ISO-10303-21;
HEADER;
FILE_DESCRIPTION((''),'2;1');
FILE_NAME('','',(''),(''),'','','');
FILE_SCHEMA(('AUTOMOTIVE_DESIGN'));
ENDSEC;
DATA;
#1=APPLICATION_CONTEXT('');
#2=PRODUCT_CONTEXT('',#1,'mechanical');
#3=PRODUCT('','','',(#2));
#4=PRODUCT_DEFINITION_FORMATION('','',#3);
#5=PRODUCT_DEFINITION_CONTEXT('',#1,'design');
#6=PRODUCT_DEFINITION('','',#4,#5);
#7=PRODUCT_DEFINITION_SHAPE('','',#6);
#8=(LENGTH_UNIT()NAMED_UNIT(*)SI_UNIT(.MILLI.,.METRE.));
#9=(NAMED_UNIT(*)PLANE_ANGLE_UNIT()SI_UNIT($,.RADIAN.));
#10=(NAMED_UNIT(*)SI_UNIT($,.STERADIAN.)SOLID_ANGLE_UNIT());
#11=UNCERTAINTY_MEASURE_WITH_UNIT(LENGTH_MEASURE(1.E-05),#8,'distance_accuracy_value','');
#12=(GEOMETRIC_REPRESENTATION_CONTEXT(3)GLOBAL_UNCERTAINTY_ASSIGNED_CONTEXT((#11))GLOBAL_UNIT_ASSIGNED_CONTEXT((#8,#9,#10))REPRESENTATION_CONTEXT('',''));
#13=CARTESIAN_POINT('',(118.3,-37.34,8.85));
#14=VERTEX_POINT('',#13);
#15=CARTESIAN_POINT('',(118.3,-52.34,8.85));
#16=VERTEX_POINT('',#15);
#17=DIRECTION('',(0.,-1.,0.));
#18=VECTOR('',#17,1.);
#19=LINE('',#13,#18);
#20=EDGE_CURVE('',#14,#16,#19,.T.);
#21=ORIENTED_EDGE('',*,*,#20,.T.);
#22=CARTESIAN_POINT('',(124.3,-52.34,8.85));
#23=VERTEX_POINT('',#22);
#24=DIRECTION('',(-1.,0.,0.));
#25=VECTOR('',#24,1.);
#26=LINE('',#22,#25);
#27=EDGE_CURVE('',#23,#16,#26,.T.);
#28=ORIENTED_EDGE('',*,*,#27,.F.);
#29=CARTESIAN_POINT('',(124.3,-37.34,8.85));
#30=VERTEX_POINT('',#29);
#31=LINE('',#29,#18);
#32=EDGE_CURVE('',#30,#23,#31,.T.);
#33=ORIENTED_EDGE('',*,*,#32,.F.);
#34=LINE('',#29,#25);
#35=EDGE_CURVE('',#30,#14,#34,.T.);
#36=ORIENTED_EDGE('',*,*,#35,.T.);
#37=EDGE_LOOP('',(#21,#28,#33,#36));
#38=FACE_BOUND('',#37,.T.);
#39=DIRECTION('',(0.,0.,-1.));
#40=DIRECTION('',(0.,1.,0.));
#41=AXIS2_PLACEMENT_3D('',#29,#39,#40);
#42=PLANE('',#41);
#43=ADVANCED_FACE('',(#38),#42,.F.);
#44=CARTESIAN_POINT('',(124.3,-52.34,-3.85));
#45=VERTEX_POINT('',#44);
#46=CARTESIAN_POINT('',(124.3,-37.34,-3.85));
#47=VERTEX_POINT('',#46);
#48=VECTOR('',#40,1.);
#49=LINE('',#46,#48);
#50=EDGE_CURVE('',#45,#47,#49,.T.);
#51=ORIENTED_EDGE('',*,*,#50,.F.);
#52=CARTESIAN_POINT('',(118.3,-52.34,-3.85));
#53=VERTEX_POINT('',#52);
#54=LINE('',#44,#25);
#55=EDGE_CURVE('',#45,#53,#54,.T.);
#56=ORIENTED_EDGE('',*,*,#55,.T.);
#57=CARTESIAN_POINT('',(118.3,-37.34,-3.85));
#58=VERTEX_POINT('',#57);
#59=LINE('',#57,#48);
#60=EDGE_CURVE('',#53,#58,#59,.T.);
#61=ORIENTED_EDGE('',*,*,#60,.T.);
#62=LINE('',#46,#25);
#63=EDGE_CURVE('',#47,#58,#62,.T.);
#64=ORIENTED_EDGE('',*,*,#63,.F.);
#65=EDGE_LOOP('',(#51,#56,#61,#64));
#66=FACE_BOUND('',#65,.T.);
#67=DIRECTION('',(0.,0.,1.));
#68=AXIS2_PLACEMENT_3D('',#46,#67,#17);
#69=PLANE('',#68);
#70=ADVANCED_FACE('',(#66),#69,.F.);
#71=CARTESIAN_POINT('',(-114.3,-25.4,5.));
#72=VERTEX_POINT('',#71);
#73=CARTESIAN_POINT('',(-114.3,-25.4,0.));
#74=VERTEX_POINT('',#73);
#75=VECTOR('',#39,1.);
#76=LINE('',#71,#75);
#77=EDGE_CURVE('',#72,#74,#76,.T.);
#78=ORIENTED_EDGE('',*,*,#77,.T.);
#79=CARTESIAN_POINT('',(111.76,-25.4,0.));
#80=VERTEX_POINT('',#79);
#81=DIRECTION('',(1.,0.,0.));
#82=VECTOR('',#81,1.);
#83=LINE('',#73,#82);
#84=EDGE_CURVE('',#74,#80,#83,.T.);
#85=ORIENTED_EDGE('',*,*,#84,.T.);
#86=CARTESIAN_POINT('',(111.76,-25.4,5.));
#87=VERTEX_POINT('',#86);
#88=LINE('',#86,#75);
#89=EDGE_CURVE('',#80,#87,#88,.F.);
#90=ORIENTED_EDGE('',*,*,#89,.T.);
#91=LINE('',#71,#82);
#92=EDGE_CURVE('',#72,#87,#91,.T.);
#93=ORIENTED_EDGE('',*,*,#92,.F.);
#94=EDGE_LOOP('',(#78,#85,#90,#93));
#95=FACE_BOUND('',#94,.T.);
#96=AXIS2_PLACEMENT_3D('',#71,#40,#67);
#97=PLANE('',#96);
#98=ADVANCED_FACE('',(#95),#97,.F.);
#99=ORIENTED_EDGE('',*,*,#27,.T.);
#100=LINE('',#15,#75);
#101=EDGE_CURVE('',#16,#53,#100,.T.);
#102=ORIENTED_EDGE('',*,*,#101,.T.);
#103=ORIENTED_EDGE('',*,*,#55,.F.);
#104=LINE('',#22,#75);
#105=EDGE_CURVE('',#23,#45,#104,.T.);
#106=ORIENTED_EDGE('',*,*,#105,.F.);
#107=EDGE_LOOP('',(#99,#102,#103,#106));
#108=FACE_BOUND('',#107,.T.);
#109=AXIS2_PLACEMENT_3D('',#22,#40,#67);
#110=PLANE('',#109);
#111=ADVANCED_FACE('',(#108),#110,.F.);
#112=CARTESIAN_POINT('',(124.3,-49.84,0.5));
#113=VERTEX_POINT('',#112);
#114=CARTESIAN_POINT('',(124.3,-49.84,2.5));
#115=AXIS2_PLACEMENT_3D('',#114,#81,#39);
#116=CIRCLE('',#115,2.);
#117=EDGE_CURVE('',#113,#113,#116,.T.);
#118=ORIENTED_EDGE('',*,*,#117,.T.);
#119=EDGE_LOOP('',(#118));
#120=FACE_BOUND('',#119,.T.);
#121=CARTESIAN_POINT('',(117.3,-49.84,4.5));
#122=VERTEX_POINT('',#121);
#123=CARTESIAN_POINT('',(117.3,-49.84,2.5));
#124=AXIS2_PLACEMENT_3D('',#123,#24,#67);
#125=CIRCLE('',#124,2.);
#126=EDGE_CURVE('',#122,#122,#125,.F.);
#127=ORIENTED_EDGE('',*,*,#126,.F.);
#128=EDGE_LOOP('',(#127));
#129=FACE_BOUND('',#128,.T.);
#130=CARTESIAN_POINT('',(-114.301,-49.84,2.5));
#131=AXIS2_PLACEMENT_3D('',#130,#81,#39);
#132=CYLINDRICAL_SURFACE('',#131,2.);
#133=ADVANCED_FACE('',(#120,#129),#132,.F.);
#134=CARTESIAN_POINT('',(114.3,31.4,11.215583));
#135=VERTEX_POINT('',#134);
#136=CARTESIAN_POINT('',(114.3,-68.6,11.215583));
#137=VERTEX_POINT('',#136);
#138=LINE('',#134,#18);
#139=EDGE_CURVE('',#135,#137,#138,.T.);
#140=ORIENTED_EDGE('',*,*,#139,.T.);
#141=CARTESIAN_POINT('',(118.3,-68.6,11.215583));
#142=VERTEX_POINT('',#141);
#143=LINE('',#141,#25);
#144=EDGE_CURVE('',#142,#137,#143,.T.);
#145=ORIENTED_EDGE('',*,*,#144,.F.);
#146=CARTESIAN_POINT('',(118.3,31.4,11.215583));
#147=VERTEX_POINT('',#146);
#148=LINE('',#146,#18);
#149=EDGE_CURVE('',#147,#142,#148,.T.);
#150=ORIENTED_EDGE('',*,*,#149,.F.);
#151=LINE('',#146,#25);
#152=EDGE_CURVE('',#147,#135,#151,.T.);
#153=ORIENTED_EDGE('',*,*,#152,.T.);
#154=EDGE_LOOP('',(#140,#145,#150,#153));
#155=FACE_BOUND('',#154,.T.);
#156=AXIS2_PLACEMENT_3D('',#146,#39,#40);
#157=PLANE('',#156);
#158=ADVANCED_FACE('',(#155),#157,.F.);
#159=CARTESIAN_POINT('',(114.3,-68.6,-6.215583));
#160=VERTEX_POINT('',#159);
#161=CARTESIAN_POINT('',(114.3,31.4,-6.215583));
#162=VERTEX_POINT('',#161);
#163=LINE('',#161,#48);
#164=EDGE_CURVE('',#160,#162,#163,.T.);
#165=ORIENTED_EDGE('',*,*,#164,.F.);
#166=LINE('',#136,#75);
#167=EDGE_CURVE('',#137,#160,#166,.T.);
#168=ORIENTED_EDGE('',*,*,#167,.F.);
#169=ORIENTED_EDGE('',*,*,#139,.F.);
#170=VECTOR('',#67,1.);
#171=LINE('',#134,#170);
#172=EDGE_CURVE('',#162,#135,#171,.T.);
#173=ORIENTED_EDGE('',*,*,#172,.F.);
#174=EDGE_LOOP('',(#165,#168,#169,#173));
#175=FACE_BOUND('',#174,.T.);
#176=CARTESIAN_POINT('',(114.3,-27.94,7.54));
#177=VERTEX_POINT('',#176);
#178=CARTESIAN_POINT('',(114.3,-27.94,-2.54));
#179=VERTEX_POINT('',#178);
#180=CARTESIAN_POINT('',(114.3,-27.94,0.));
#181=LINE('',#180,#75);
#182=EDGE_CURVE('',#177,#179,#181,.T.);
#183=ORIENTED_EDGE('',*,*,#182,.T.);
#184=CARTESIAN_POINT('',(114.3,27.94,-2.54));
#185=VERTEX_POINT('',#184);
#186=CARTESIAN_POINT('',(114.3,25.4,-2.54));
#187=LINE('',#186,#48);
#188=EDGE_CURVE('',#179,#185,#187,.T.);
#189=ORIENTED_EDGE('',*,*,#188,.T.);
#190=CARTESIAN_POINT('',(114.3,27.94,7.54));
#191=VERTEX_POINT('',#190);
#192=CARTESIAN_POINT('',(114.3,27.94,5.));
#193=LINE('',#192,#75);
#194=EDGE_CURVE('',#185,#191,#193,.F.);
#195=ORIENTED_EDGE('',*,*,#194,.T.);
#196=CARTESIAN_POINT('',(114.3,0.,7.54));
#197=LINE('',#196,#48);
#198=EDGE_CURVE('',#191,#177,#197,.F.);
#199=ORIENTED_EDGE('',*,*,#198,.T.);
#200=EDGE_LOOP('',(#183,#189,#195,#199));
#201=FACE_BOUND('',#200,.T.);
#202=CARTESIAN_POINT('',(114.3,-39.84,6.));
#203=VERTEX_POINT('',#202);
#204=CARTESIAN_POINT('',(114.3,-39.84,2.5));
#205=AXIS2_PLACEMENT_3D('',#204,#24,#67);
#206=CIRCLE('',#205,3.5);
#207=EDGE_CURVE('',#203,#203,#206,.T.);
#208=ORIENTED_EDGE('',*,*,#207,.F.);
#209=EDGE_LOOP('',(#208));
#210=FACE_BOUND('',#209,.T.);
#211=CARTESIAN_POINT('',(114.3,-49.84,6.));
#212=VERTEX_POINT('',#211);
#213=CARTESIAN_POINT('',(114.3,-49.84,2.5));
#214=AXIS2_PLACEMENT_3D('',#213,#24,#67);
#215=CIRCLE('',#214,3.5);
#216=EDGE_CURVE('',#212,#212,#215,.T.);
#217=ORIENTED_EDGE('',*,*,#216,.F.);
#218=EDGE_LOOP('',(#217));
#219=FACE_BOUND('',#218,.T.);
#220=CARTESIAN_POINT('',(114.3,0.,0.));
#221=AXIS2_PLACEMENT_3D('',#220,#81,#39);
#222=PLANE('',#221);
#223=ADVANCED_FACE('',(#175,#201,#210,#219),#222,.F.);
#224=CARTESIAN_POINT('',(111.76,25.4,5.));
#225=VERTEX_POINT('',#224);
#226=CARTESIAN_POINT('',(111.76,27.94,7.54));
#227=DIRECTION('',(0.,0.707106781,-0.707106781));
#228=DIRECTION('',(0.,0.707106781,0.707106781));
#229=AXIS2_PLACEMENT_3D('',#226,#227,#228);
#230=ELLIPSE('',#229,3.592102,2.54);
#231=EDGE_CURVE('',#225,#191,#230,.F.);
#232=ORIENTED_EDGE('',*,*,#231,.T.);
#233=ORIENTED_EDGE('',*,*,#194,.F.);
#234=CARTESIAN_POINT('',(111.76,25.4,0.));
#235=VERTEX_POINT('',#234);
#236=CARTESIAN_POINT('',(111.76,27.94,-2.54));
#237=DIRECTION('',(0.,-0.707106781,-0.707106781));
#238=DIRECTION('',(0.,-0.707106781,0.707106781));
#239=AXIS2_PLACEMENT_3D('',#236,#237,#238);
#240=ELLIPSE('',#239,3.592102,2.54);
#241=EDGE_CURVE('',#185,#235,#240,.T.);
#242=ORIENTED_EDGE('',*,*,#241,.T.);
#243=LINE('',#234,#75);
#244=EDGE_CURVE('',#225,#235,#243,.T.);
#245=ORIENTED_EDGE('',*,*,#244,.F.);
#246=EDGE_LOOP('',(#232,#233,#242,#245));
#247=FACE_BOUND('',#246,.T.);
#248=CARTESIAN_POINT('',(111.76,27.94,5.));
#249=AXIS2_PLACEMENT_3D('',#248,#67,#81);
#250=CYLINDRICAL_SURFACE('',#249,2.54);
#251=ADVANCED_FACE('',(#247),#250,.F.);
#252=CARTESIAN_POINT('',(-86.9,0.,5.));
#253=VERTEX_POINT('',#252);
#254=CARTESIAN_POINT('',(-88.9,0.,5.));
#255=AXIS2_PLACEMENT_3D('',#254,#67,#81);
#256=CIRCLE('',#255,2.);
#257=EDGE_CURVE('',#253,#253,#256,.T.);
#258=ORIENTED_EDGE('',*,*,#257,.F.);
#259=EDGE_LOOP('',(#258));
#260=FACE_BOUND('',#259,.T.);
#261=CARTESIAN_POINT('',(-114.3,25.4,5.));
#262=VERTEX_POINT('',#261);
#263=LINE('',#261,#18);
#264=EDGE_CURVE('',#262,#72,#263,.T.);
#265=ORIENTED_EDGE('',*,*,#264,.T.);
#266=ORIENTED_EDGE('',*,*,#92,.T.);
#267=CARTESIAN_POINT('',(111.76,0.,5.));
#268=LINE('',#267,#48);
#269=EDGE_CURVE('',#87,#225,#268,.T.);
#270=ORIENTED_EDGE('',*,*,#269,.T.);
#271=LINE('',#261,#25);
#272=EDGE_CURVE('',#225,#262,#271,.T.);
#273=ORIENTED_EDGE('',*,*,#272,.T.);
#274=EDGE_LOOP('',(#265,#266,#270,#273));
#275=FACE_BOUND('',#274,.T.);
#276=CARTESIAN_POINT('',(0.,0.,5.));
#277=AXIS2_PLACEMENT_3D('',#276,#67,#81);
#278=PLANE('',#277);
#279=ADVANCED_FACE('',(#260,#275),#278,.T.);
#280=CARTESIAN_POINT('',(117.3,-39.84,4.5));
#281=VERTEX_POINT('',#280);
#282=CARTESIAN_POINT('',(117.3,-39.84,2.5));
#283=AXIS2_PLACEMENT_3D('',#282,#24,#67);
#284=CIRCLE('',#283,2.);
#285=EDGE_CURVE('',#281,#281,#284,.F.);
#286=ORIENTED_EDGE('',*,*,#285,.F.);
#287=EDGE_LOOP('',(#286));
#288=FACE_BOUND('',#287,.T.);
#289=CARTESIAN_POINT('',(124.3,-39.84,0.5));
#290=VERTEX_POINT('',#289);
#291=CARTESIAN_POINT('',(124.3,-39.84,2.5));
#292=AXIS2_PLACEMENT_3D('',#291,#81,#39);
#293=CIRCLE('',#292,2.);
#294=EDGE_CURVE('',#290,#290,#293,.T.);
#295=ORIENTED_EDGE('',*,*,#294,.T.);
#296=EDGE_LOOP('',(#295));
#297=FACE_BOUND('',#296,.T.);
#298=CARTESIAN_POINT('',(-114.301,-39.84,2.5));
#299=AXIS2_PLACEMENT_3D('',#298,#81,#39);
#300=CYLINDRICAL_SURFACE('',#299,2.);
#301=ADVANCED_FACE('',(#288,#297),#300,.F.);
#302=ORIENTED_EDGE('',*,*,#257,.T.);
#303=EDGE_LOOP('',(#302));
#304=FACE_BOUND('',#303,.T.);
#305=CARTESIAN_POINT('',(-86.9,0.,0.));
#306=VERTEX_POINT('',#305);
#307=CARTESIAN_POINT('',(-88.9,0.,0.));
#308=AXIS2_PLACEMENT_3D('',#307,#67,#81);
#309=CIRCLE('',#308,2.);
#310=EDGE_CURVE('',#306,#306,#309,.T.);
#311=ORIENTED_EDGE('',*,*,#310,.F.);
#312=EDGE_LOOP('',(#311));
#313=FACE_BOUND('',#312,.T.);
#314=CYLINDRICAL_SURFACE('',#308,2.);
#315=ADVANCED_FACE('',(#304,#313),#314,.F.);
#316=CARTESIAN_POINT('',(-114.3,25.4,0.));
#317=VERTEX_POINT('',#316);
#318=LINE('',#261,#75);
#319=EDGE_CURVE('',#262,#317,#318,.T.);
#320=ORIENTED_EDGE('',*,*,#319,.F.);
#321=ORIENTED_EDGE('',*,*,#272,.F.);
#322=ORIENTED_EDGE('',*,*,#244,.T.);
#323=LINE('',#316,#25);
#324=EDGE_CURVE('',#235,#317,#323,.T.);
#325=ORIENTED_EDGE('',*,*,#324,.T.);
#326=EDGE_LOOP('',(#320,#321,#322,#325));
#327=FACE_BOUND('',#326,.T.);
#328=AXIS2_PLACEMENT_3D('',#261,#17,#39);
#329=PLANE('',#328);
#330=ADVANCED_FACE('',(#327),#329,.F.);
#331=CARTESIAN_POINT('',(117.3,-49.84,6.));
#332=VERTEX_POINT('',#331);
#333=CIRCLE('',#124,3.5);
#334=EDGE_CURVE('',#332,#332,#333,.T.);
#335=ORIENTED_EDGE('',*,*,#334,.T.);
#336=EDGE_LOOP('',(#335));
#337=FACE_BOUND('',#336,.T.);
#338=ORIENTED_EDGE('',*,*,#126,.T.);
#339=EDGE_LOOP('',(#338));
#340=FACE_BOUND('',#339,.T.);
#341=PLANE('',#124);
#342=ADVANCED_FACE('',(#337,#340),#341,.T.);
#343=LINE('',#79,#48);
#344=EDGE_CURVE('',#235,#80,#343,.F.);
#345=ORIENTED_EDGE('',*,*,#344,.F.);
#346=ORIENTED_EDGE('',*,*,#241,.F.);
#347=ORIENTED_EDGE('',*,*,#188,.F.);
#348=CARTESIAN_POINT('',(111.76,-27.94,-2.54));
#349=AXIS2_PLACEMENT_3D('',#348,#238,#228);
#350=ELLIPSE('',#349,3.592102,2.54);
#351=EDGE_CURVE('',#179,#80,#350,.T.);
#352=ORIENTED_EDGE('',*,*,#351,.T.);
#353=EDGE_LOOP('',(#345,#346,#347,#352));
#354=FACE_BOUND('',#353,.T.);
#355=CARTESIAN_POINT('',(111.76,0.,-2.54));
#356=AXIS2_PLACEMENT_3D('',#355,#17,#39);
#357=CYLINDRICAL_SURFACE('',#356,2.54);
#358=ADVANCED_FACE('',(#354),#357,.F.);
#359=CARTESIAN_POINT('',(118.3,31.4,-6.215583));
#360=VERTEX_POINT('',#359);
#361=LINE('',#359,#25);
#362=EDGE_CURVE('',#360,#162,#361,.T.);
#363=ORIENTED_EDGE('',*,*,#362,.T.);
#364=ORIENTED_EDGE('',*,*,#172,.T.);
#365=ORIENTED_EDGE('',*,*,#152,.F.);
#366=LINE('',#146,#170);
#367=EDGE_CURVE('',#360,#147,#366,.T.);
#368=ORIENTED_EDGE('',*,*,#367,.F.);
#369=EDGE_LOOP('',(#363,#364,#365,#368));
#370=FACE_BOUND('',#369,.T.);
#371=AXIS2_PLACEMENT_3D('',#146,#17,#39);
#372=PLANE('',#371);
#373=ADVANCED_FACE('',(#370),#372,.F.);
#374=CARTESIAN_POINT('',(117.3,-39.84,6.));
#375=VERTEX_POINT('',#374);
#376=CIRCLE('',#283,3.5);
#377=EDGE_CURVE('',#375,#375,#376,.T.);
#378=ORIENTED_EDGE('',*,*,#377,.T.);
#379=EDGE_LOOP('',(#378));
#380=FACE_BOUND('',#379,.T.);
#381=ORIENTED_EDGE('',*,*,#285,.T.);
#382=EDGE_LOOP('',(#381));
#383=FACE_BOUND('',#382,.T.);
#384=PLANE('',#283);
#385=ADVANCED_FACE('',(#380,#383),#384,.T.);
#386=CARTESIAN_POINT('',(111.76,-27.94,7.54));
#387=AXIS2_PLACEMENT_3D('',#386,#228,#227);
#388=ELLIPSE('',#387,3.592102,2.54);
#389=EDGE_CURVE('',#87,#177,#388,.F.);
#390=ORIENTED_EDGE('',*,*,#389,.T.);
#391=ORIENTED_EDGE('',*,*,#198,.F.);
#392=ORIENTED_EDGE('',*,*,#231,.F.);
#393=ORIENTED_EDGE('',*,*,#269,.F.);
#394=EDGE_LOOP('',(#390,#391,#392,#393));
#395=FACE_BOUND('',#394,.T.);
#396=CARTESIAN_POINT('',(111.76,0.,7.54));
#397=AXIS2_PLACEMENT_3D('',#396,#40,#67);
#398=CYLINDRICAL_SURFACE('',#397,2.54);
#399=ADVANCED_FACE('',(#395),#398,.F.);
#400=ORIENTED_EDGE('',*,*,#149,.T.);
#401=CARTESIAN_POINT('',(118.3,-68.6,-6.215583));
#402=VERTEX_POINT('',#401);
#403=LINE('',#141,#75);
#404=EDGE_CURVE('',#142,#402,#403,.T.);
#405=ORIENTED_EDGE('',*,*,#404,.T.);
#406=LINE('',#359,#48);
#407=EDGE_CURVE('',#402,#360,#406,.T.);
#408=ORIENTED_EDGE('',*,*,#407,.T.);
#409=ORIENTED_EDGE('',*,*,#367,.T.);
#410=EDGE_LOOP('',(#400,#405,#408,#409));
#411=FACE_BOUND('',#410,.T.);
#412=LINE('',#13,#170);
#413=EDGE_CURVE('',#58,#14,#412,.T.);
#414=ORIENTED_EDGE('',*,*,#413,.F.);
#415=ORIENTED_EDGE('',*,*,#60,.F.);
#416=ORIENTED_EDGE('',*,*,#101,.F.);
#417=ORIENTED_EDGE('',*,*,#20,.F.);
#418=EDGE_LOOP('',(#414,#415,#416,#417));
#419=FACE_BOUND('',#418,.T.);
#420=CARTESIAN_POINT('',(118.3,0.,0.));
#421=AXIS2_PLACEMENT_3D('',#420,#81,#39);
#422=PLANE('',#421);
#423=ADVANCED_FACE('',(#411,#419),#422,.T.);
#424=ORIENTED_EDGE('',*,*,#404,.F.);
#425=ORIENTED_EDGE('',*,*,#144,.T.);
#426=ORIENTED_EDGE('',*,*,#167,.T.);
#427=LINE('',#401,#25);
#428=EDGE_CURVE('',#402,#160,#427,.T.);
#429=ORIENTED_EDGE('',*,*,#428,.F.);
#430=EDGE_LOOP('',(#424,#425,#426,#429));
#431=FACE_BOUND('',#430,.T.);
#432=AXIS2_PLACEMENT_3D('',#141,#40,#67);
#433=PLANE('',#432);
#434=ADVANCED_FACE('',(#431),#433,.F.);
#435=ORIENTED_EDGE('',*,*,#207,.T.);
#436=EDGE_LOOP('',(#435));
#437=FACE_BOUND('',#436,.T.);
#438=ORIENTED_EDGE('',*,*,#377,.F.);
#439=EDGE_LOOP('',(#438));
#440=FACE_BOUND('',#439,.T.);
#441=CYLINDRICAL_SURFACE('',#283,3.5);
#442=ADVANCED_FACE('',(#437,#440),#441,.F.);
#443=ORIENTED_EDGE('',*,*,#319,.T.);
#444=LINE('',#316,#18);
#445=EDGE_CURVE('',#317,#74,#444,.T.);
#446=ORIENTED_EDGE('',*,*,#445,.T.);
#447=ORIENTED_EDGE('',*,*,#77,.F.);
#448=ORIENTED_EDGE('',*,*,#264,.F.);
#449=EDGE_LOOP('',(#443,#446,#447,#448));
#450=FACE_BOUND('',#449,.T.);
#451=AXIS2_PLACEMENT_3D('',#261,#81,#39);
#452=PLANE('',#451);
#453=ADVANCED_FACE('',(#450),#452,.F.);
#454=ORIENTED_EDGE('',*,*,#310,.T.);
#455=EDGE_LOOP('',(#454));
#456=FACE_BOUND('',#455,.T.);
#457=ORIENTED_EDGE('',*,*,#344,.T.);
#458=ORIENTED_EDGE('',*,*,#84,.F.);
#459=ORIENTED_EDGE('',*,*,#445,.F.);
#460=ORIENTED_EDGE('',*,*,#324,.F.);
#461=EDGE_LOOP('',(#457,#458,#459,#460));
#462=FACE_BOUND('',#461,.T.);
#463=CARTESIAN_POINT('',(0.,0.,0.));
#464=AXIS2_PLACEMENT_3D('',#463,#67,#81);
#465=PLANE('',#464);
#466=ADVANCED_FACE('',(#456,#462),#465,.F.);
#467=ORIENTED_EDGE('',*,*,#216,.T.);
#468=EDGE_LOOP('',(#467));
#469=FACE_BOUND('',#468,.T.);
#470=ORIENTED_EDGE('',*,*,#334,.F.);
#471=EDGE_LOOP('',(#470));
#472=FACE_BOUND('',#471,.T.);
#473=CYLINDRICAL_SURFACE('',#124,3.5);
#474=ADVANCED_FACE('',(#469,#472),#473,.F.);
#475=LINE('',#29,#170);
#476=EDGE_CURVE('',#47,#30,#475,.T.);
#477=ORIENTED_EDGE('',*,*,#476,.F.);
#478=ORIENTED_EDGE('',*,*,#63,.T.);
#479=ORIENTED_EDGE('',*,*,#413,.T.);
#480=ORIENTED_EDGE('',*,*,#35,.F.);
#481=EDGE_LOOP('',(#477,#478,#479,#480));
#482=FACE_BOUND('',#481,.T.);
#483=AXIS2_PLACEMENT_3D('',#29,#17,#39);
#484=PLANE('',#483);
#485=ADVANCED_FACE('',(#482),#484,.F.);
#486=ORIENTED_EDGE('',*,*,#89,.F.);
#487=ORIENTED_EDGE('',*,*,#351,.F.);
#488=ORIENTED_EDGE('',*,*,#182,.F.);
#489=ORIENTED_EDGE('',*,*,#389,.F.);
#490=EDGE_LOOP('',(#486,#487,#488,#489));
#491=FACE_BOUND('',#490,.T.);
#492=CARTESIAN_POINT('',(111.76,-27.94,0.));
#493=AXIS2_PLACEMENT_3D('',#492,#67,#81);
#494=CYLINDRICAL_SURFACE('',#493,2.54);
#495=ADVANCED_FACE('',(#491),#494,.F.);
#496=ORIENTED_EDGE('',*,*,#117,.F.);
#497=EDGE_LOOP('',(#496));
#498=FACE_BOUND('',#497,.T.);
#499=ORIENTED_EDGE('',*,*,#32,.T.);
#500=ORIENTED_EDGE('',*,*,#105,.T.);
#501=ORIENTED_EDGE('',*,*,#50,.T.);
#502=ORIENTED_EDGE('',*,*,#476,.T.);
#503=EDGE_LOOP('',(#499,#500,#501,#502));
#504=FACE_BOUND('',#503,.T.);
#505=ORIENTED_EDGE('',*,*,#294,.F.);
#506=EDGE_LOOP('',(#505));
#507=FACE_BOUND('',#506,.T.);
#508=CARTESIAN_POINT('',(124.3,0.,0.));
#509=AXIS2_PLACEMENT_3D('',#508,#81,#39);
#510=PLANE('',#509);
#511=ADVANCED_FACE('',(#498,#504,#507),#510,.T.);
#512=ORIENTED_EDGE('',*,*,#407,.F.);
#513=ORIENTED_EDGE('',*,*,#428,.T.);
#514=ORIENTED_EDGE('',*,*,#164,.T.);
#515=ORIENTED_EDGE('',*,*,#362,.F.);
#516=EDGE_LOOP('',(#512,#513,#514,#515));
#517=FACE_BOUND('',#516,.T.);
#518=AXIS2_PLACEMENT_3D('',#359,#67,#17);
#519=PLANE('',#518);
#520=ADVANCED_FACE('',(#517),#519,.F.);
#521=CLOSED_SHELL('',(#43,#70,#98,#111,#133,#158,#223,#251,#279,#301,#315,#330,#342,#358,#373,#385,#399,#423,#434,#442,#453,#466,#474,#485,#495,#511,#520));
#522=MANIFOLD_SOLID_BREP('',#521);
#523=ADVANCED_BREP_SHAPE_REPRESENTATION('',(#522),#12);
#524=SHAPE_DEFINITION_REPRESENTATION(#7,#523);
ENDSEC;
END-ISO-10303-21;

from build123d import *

# Parameters (mm, degrees)
SKETCH1_W           = 228.6
SKETCH1_H           = 50.8
BOSS_EXTRUDE1_DEPTH = 5
SKETCH2_R           = 2.000000064
CUT_EXTRUDE1_DEPTH  = 118.194923098
SKETCH3_W           = 17.431165178
SKETCH3_H           = 100
BOSS_EXTRUDE2_DEPTH = 4
SKETCH4_W           = 12.7
SKETCH4_H           = 15
BOSS_EXTRUDE3_DEPTH = 6
CUT_EXTRUDE2_REACH  = 250.519
SKETCH5_R           = 2.000000064
SKETCH5_R_2         = 2
SKETCH6_R           = 3.5
CUT_EXTRUDE3_DEPTH  = 3
FILLET2_R           = 2.54


with BuildPart() as part:
    # Sketch1 → Boss-Extrude1 (new body)
    with BuildSketch(Plane.XY):
        Rectangle(SKETCH1_W, SKETCH1_H)
    extrude(amount=BOSS_EXTRUDE1_DEPTH)

    # Sketch2 → Cut-Extrude1 (cut, through all)
    with BuildSketch(Plane.XY.offset(5)):
        with Locations((-88.9, 0)):
            Circle(SKETCH2_R)
    extrude(amount=-CUT_EXTRUDE1_DEPTH, mode=Mode.SUBTRACT)

    # Sketch3 → Boss-Extrude2 (add)
    with BuildSketch(Plane(origin=(114.3, 0, 0), x_dir=(0, 0, -1), z_dir=(1, 0, 0))):
        with Locations((-2.5, -18.6)):
            Rectangle(SKETCH3_W, SKETCH3_H)
    extrude(amount=BOSS_EXTRUDE2_DEPTH)

    # Sketch4 → Boss-Extrude3 (add)
    with BuildSketch(Plane(origin=(118.3, 0, 0), x_dir=(0, 0, -1), z_dir=(1, 0, 0))):
        with Locations((-2.5, -44.840000008)):
            Rectangle(SKETCH4_W, SKETCH4_H)
    extrude(amount=BOSS_EXTRUDE3_DEPTH)

    # Sketch5 → Cut-Extrude2 (cut, up to next)
    with BuildSketch(Plane(origin=(124.3, 0, 0), x_dir=(0, 0, -1), z_dir=(1, 0, 0)), mode=Mode.PRIVATE) as cut_extrude2_sk1:
        with Locations((-2.5, -39.840000088)):
            Circle(SKETCH5_R)
    cut_extrude2_tool1 = extrude(cut_extrude2_sk1.sketch, amount=-CUT_EXTRUDE2_REACH, mode=Mode.PRIVATE) & part.part
    # Sketch5 → Cut-Extrude2 (cut, up to next)
    with BuildSketch(Plane(origin=(124.3, 0, 0), x_dir=(0, 0, -1), z_dir=(1, 0, 0)), mode=Mode.PRIVATE) as cut_extrude2_sk2:
        with Locations((-2.5, -49.840000088)):
            Circle(SKETCH5_R_2)
    cut_extrude2_tool2 = extrude(cut_extrude2_sk2.sketch, amount=-CUT_EXTRUDE2_REACH, mode=Mode.PRIVATE) & part.part
    add(cut_extrude2_tool1.solids().sort_by_distance((124.3, -39.84, 2.5))[0], mode=Mode.SUBTRACT)
    add(cut_extrude2_tool2.solids().sort_by_distance((124.3, -49.84, 2.5))[0], mode=Mode.SUBTRACT)

    # Sketch6 → Cut-Extrude3 (cut)
    with BuildSketch(Plane.ZY.offset(-114.3)):
        with Locations((2.5, -39.840000088)):
            Circle(SKETCH6_R)
        with Locations((2.5, -49.840000088)):
            Circle(SKETCH6_R)
    extrude(amount=-CUT_EXTRUDE3_DEPTH, mode=Mode.SUBTRACT)

    # Fillet2
    fillet2_edges = [part.edges().sort_by_distance(p)[0] for p in [
        (114.3, 0, 5),
        (114.3, 0, 0),
        (114.3, -25.4, 2.5),
        (114.3, 25.4, 2.5),
    ]]
    fillet(fillet2_edges, radius=FILLET2_R)


solid = part.part
